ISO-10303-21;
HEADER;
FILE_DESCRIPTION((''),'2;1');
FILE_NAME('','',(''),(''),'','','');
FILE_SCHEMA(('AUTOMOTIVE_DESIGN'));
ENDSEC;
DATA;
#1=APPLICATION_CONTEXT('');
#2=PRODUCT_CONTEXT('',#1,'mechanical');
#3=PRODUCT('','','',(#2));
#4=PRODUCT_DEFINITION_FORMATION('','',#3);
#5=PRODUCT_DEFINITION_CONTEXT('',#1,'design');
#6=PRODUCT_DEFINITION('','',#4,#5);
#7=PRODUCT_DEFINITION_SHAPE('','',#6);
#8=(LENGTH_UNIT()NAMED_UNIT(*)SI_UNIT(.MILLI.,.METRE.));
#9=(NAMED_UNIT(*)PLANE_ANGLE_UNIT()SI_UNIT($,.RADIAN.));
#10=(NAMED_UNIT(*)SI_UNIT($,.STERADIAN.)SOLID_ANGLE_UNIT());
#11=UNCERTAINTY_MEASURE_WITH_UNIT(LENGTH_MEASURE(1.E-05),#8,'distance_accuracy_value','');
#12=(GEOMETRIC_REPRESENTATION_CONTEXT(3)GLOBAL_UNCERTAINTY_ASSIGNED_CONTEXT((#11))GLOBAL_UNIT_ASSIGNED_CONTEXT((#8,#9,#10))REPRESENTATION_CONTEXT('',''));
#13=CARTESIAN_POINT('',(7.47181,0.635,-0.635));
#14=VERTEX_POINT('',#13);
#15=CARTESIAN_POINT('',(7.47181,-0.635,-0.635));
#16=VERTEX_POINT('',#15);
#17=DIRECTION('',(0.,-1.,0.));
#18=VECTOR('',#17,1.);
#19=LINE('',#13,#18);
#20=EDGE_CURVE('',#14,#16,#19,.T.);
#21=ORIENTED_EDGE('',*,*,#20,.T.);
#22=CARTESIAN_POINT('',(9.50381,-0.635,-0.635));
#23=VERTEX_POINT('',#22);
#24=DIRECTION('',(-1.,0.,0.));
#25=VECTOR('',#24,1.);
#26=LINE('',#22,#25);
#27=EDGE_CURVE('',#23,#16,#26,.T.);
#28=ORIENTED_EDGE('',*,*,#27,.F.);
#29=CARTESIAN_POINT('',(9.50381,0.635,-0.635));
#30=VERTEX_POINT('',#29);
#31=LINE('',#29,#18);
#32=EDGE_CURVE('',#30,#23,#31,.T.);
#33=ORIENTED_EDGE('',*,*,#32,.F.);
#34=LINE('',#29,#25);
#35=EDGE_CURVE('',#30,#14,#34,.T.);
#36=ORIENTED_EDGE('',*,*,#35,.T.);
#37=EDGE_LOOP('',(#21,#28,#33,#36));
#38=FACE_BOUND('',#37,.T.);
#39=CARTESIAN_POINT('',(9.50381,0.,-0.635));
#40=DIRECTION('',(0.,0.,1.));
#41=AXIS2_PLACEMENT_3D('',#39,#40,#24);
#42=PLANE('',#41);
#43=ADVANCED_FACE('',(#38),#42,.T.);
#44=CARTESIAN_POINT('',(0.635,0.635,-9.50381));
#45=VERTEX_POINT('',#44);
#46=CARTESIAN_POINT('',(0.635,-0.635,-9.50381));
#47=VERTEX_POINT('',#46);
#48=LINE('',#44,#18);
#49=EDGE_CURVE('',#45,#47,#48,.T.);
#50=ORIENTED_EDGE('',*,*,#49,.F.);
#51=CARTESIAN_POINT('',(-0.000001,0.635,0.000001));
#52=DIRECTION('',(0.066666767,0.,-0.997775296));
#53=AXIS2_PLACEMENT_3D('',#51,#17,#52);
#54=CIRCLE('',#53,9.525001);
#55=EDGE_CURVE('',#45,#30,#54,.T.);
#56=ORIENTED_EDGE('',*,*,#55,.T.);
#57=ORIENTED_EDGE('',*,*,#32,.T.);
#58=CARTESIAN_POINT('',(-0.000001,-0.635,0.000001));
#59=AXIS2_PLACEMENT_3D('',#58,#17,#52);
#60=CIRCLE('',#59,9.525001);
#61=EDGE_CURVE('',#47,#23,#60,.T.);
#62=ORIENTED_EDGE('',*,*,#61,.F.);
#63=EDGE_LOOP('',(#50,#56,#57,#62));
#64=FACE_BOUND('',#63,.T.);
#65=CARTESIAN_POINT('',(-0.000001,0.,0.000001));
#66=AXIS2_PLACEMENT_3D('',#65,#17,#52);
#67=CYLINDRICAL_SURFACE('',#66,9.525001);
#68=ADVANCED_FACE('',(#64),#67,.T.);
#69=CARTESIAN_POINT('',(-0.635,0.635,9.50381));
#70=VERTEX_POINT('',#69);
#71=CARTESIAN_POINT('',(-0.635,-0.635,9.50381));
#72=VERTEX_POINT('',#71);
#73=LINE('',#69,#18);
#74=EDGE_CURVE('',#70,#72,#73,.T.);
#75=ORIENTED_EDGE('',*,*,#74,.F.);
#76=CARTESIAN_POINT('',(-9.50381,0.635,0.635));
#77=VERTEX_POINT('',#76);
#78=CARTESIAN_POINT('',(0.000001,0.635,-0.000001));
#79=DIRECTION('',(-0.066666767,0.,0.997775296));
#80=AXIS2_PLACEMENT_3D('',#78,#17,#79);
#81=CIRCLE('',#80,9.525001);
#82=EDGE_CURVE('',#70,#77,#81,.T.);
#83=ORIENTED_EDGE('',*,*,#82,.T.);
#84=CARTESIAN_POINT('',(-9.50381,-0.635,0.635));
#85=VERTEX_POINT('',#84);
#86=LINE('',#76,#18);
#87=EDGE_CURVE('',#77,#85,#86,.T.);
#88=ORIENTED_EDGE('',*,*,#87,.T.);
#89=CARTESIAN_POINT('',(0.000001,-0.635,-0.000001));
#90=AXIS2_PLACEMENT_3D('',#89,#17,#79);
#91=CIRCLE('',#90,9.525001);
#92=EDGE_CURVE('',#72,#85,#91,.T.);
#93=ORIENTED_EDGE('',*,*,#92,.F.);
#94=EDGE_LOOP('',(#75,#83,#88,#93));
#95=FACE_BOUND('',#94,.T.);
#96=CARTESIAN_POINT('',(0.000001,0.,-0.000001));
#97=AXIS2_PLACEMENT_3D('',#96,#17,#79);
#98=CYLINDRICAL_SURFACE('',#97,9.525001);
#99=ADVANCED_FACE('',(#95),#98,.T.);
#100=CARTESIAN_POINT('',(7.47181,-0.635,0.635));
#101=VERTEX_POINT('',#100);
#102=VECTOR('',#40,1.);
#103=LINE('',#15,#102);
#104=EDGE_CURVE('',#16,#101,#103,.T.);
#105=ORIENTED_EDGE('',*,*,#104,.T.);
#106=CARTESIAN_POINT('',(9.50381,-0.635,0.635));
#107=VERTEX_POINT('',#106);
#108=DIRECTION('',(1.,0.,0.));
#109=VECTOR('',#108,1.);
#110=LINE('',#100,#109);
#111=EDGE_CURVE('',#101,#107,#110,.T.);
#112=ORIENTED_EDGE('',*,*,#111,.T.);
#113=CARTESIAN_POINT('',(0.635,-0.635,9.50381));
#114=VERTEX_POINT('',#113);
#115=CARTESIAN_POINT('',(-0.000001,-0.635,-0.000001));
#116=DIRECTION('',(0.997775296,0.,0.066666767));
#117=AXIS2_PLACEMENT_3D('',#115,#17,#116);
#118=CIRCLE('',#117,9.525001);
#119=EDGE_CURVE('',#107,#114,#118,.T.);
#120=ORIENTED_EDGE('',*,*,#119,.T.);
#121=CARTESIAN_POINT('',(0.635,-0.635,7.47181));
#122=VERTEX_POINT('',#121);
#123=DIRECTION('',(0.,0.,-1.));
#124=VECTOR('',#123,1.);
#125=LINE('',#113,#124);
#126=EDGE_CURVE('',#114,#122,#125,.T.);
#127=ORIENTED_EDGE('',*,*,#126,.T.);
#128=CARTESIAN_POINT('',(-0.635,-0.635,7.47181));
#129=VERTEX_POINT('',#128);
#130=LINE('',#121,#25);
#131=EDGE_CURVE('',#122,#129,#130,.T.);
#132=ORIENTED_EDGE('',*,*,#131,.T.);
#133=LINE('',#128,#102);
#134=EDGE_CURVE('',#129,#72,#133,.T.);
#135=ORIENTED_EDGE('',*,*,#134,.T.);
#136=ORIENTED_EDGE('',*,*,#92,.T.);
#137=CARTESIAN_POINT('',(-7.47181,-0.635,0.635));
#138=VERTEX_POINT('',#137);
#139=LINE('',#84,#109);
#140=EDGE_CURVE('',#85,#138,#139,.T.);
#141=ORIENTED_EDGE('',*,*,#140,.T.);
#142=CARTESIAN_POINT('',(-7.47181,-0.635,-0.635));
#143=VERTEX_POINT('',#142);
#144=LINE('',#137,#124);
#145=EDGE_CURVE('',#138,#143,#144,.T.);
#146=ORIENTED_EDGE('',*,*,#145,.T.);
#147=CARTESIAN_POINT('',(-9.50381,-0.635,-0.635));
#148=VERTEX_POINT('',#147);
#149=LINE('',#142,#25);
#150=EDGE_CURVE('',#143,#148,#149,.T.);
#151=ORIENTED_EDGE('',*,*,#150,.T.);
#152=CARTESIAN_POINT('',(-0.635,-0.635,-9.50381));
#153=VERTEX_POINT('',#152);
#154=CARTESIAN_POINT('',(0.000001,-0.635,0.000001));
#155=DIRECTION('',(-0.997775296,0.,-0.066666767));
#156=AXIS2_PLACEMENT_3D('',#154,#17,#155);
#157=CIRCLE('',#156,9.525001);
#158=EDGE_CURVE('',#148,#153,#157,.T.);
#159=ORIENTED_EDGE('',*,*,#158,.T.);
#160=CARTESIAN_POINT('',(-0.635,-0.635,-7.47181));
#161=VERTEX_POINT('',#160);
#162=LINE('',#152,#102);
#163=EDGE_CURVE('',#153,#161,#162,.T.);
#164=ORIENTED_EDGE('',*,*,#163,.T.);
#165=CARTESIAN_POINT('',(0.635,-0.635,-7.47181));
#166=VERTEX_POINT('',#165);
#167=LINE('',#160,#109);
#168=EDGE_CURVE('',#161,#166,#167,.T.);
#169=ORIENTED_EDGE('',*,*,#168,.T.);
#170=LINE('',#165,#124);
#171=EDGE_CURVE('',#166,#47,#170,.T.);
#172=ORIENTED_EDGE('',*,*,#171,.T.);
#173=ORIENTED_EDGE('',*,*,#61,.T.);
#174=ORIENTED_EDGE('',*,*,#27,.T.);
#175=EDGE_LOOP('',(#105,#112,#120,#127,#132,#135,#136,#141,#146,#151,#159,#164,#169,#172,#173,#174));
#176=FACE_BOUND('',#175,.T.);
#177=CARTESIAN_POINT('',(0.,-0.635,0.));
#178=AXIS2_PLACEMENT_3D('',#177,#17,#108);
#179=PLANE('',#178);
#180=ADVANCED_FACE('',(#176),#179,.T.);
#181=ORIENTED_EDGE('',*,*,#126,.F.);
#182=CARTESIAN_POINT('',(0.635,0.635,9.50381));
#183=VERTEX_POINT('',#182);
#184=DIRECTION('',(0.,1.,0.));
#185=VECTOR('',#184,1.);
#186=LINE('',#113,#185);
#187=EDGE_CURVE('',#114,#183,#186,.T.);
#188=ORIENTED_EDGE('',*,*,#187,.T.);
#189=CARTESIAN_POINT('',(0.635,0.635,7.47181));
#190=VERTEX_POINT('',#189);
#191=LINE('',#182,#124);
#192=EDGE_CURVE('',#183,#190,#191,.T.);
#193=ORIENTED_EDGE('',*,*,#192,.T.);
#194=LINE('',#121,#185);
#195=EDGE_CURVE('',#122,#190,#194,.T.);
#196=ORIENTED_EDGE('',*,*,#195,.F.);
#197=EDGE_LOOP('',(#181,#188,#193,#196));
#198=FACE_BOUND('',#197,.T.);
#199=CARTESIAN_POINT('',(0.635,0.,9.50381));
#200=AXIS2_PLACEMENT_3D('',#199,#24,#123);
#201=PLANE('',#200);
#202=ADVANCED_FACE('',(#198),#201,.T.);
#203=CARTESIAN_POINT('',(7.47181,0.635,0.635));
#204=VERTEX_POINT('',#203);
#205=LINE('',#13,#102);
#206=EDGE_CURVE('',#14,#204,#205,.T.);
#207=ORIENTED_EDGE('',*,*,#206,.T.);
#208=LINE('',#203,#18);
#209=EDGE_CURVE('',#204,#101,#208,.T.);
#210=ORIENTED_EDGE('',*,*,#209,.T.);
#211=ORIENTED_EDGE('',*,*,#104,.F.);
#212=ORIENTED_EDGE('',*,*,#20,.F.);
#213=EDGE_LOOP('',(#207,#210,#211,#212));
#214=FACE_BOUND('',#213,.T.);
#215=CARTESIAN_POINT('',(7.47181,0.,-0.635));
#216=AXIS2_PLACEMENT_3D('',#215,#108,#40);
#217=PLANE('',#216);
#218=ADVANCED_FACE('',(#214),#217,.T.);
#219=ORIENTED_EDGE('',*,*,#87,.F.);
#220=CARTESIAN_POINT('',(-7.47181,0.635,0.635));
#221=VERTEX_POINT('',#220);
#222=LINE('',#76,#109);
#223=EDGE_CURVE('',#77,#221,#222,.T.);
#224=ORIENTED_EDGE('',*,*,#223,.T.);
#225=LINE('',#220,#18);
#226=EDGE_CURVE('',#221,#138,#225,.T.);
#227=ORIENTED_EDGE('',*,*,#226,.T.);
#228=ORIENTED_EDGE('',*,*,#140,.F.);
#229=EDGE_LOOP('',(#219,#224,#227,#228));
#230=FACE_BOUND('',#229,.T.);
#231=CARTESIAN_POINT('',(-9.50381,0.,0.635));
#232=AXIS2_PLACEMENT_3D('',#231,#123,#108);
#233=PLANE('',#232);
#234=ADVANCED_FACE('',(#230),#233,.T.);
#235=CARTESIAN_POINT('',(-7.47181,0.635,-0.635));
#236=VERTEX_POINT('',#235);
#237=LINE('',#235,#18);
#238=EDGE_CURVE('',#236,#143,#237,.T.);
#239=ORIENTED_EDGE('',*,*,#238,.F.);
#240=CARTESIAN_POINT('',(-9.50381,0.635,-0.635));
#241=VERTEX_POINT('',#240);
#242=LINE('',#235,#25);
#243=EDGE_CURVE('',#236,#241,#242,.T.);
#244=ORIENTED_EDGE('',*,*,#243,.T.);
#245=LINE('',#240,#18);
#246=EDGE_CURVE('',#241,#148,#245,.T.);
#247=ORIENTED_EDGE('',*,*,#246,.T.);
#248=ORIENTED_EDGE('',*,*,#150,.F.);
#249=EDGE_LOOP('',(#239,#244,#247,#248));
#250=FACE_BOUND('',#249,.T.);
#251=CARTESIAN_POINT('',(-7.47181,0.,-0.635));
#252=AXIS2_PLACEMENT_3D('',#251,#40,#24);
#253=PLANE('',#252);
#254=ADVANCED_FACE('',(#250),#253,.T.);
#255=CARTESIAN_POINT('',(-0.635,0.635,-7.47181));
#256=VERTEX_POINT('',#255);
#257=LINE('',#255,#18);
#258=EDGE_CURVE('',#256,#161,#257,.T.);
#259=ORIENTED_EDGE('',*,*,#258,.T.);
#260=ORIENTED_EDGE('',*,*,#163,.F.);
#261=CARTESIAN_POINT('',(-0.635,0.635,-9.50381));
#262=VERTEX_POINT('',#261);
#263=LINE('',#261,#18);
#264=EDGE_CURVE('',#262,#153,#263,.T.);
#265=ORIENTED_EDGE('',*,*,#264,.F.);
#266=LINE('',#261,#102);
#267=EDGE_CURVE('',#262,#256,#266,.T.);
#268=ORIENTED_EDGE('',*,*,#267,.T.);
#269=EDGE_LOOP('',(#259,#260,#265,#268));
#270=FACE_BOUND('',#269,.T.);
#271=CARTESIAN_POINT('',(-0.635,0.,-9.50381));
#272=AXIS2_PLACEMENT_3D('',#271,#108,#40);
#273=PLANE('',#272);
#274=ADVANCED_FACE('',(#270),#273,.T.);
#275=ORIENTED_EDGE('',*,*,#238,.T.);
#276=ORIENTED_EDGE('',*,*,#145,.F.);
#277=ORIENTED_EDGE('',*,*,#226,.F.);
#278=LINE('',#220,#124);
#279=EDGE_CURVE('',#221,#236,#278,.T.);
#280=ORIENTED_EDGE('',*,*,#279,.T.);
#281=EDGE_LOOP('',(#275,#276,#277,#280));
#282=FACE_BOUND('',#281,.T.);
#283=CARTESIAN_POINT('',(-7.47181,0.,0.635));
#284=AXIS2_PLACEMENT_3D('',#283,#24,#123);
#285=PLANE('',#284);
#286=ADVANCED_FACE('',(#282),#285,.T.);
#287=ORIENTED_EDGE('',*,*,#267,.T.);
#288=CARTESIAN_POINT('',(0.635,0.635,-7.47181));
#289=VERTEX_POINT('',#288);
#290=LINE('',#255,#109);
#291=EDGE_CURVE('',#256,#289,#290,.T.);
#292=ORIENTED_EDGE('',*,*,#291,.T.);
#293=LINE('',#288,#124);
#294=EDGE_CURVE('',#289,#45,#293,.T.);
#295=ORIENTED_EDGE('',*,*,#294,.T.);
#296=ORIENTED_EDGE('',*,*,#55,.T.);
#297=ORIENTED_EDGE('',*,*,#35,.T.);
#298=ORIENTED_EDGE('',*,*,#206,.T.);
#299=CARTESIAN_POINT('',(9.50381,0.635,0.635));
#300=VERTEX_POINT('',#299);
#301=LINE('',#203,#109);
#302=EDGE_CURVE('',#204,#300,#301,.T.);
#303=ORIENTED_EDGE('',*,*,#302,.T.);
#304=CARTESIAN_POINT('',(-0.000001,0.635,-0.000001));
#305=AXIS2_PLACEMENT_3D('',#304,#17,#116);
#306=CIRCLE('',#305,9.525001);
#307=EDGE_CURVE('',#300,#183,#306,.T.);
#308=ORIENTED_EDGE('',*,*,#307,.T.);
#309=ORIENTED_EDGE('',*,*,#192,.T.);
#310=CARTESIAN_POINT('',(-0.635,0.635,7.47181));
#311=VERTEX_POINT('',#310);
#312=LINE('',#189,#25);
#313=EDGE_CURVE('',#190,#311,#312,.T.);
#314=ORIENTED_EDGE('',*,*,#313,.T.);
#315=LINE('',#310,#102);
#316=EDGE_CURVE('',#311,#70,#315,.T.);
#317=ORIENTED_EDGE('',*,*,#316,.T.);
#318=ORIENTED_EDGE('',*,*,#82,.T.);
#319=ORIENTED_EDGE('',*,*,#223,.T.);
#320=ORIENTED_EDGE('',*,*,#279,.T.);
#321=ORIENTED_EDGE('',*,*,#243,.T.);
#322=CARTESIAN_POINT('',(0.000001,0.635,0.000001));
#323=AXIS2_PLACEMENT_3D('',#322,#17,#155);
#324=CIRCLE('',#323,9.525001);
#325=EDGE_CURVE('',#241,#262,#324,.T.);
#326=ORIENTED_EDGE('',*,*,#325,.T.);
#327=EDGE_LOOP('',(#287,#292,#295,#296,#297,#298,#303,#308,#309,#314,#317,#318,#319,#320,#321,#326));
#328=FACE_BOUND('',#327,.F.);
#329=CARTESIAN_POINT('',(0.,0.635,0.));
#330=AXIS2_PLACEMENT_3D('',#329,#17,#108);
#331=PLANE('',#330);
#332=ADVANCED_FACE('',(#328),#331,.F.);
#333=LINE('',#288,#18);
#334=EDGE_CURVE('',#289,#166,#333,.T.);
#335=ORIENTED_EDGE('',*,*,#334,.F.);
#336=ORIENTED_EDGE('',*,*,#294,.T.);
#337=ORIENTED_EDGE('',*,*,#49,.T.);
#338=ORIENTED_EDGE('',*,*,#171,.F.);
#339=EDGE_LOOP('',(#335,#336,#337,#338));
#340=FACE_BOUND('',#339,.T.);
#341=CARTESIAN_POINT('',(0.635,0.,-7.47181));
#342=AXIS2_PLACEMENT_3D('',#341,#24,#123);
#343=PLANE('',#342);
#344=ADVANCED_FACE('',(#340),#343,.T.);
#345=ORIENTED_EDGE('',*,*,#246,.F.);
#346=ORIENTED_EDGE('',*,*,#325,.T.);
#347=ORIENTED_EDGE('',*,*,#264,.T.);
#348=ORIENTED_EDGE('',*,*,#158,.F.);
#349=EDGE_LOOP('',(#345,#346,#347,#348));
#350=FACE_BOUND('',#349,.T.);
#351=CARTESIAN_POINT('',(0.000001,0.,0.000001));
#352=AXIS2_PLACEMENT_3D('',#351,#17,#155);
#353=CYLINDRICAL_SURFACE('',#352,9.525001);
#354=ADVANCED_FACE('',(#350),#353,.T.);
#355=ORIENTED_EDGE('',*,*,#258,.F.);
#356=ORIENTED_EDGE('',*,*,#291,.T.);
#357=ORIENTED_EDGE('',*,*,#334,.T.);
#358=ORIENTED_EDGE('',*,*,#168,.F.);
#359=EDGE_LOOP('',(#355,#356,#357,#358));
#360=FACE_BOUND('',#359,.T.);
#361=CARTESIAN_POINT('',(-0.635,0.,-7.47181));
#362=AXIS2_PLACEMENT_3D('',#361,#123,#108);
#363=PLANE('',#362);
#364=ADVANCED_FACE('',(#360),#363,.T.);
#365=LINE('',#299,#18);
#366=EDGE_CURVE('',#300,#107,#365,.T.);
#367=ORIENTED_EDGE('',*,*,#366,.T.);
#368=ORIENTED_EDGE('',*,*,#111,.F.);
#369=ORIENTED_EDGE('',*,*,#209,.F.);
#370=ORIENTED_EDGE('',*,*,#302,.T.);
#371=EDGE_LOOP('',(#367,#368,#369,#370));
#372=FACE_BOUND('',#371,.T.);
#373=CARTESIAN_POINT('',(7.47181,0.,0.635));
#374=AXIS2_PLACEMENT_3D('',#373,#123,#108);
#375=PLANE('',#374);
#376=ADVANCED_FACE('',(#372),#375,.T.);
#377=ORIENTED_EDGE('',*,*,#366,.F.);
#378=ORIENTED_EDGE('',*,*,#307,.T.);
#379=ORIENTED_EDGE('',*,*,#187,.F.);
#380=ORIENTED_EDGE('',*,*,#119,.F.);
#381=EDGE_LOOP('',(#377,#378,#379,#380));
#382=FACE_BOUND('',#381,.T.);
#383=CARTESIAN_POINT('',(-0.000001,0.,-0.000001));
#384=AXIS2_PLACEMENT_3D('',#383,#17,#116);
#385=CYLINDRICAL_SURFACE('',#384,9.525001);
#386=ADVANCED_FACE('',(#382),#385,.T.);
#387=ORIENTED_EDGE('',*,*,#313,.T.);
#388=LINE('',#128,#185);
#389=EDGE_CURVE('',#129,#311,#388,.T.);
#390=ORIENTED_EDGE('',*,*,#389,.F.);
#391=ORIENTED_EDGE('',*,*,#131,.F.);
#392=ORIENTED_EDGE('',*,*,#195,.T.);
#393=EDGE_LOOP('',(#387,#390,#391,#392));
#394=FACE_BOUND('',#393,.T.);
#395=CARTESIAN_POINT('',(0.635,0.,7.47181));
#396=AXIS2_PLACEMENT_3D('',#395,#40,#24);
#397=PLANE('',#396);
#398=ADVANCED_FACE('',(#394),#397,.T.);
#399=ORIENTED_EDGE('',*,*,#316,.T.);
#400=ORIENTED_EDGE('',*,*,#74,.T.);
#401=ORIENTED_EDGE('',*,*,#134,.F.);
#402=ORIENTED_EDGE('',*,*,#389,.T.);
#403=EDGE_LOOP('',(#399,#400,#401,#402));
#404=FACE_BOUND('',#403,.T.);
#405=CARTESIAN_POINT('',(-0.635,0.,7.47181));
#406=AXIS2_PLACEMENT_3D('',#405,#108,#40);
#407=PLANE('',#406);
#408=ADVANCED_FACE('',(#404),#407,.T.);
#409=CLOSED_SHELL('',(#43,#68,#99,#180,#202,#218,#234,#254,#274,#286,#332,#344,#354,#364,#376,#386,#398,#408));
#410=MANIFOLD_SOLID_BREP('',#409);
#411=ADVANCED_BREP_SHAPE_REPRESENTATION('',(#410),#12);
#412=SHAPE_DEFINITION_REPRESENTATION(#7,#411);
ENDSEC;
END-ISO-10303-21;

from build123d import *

# Parameters (mm, degrees)
F1_DEPTH = 0.635


with BuildPart() as f1:
    # F0 (on Front) → F1 (new body, symmetric)
    with BuildSketch(Plane.XZ):
        with BuildLine():
            Line((-0.635, 7.47181), (-0.635, 9.50381))
            ThreePointArc((-0.635, 9.50381), (-6.735192, 6.735192), (-9.50381, 0.635))
            Line((-9.50381, 0.635), (-7.47181, 0.635))
            Line((-7.47181, 0.635), (-7.47181, -0.635))
            Line((-7.47181, -0.635), (-9.50381, -0.635))
            ThreePointArc((-9.50381, -0.635), (-6.735192, -6.735192), (-0.635, -9.50381))
            Line((-0.635, -9.50381), (-0.635, -7.47181))
            Line((-0.635, -7.47181), (0.635, -7.47181))
            Line((0.635, -7.47181), (0.635, -9.50381))
            ThreePointArc((0.635, -9.50381), (6.735192, -6.735192), (9.50381, -0.635))
            Line((9.50381, -0.635), (7.47181, -0.635))
            Line((7.47181, -0.635), (7.47181, 0.635))
            Line((7.47181, 0.635), (9.50381, 0.635))
            ThreePointArc((9.50381, 0.635), (6.735192, 6.735192), (0.635, 9.50381))
            Line((0.635, 9.50381), (0.635, 7.47181))
            Line((0.635, 7.47181), (-0.635, 7.47181))
        make_face()
    extrude(amount=F1_DEPTH, both=True)


solid = f1.part
